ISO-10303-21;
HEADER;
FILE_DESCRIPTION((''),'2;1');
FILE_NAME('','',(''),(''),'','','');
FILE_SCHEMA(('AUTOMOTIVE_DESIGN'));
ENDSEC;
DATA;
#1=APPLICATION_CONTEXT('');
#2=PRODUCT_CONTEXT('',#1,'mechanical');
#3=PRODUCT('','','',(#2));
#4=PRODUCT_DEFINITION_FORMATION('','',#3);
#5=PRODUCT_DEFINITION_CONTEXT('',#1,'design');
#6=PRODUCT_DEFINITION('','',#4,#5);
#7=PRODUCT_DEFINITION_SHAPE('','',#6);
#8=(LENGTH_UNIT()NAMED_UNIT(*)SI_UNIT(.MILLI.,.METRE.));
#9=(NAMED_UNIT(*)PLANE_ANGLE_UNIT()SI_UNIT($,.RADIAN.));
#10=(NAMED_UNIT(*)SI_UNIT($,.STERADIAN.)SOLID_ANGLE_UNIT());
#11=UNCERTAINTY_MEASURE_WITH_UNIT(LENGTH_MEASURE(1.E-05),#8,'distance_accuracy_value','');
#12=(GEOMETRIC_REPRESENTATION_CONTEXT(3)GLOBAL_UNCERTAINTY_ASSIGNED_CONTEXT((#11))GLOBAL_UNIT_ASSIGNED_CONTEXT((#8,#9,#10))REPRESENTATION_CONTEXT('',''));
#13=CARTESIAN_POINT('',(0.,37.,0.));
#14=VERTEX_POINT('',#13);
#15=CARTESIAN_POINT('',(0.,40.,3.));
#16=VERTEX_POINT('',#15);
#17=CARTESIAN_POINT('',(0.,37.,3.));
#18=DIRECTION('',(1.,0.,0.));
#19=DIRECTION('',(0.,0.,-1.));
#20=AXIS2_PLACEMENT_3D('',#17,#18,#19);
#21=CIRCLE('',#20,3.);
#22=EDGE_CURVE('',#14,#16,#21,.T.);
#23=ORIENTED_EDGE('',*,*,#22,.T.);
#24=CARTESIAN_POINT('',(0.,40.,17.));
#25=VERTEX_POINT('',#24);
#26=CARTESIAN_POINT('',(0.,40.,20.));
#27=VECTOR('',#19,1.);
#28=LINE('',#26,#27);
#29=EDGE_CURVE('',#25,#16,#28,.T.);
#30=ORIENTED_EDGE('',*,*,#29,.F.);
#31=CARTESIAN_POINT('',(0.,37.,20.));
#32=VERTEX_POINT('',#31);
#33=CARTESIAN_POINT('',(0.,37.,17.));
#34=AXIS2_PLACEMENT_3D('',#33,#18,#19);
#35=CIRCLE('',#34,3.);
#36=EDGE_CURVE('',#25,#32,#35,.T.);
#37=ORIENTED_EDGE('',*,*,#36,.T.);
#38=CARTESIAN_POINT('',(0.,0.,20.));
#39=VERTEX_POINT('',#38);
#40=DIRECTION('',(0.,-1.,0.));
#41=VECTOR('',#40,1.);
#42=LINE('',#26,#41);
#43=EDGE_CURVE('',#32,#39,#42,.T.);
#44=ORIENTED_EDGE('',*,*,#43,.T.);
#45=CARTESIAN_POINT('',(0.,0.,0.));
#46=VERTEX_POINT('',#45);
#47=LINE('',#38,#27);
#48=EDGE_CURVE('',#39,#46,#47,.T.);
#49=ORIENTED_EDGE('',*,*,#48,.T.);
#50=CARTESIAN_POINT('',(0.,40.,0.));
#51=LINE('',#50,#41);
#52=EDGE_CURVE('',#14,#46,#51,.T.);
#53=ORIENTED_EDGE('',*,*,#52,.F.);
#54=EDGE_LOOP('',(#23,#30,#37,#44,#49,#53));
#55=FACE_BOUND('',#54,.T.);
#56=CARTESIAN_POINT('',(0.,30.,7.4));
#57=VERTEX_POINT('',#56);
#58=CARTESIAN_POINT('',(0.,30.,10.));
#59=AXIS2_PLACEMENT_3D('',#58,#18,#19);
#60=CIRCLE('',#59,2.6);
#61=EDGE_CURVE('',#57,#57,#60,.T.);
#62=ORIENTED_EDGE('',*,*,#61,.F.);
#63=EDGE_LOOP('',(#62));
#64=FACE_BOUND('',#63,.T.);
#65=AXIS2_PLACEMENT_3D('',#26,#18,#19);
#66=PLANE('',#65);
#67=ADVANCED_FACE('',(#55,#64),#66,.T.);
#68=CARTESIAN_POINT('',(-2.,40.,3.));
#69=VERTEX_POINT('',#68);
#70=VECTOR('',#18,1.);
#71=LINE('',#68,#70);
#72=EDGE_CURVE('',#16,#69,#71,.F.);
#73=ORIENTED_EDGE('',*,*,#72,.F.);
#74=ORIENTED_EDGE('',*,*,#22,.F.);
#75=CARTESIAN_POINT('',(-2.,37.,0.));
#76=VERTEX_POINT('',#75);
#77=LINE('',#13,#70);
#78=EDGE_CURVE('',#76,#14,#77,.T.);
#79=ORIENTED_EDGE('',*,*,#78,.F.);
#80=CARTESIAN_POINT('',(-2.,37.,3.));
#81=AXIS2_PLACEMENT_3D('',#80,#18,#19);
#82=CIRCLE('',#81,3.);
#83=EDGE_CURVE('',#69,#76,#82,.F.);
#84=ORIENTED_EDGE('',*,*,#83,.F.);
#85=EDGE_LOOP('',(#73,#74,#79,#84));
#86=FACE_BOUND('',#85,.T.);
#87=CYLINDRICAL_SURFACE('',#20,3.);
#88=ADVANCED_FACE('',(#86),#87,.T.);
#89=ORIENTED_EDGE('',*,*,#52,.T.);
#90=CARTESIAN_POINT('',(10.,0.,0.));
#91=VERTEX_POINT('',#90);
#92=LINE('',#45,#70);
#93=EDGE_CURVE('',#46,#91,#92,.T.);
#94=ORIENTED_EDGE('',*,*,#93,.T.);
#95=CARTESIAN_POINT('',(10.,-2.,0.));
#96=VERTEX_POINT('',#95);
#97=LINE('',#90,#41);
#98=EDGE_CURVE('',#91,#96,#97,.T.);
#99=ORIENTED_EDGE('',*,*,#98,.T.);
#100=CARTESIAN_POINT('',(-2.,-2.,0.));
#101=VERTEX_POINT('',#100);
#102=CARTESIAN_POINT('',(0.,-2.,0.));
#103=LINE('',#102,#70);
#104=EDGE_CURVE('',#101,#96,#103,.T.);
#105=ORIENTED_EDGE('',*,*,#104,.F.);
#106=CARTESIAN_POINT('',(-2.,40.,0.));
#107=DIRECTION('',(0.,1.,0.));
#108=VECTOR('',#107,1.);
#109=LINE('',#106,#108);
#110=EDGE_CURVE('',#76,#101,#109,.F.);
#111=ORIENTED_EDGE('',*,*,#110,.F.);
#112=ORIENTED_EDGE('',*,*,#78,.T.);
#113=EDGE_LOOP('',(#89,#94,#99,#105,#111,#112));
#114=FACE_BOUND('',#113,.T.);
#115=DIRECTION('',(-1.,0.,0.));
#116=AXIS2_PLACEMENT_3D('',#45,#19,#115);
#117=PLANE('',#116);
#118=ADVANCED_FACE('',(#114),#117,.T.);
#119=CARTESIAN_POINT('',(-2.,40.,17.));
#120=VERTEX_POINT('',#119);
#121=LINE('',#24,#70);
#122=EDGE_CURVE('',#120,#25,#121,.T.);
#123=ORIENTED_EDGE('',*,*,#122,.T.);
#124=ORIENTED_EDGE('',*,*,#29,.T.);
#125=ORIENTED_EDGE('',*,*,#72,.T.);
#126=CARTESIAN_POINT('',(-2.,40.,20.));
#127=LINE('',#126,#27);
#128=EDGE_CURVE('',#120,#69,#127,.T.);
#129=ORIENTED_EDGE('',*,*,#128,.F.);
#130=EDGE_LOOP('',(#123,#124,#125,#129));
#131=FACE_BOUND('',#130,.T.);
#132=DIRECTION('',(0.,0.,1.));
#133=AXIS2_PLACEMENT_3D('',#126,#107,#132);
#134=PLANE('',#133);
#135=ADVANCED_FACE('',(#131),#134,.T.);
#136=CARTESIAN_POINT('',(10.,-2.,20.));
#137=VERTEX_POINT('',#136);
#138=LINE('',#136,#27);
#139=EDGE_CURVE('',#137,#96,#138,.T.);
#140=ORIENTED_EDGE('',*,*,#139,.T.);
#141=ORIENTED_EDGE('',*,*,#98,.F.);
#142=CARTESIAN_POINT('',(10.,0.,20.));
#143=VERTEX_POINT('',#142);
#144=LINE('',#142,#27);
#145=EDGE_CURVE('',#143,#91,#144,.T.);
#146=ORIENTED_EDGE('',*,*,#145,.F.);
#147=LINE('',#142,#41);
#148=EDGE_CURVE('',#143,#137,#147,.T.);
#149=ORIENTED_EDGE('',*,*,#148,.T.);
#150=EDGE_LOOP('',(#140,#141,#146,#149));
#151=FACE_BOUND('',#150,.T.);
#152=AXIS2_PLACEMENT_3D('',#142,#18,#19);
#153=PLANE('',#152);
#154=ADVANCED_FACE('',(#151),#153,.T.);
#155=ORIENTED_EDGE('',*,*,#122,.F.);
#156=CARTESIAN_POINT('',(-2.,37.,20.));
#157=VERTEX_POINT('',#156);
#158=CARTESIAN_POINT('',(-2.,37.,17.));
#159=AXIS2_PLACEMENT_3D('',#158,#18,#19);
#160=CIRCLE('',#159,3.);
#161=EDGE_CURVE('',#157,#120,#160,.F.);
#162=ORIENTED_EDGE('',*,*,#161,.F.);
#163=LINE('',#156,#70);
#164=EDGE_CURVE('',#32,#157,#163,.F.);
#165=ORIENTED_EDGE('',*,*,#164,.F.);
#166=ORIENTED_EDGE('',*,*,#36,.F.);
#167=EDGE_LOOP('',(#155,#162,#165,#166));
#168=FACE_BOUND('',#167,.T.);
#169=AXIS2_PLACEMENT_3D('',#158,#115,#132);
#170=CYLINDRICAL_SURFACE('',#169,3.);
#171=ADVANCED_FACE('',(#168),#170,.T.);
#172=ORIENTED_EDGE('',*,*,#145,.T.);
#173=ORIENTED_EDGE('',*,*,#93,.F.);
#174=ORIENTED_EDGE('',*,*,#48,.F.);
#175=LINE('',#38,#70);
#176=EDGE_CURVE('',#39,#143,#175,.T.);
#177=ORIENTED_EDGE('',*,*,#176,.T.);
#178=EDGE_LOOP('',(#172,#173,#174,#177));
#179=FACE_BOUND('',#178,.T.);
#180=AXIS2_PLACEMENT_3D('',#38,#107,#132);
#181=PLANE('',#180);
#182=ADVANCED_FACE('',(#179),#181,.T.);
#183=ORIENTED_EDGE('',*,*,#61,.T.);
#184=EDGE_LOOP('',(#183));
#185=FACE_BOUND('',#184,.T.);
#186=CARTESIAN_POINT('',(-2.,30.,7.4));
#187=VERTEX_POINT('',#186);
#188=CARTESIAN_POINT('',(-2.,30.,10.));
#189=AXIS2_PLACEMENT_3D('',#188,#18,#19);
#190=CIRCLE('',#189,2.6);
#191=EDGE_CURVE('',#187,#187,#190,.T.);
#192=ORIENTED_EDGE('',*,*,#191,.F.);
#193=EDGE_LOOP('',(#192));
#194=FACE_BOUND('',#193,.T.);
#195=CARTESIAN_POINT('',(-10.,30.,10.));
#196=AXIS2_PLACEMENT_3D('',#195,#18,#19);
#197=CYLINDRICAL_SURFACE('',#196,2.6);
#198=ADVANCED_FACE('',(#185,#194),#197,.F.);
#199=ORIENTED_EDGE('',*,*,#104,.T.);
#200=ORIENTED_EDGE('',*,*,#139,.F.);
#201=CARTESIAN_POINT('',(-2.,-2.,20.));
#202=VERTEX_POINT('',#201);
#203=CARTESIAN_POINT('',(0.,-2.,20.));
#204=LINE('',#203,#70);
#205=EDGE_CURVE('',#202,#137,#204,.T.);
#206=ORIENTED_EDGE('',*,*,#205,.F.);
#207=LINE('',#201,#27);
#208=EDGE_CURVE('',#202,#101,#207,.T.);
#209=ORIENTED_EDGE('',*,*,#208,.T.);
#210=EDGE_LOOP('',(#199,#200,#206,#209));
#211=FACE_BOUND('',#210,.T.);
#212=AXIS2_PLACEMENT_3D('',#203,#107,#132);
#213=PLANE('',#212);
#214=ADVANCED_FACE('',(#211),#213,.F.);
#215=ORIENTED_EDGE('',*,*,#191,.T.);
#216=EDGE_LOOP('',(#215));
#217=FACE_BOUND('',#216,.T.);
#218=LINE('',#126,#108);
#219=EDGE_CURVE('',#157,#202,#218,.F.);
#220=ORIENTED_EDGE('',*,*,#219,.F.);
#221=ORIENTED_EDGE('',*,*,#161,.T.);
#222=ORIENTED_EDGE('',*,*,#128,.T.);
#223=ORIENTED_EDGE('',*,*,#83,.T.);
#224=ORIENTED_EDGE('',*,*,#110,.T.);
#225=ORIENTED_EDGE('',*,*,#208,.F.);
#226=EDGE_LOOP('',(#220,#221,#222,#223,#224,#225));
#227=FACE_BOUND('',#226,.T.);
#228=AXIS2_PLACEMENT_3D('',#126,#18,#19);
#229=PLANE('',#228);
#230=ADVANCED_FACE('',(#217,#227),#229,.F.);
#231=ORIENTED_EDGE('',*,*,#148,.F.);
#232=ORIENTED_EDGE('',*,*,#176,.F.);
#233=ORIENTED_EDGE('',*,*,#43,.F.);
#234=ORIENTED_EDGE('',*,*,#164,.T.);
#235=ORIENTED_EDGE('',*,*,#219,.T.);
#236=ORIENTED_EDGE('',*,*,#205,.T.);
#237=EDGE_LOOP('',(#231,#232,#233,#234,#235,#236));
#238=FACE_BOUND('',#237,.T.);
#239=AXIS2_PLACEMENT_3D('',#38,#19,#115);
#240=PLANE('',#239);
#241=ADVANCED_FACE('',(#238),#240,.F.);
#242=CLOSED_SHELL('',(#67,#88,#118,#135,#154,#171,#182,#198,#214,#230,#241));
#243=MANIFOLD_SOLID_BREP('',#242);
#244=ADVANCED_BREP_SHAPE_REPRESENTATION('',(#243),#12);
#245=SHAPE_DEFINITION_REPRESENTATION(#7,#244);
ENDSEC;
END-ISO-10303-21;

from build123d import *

# Parameters (mm, degrees)
EXTRUDE_1_DEPTH     = 20
SKETCH_2_R          = 2.6
CUT_EXTRUDE_1_DEPTH = 10
FILLET_1_R          = 3


with BuildPart() as part:
    # 草图1 → 拉伸-薄壁1 (new body)
    with BuildSketch(Plane.XY):
        Polygon((0, 40), (0, 0), (10, 0), (10, -2), (-2, -2), (-2, 40), align=None)
    extrude(amount=EXTRUDE_1_DEPTH)

    # 草图2 → 切除-拉伸1 (cut)
    with BuildSketch(Plane(origin=(0, 0, 0), x_dir=(0, 0, -1), z_dir=(1, 0, 0))):
        with Locations((-10, 30)):
            Circle(SKETCH_2_R)
    extrude(amount=-CUT_EXTRUDE_1_DEPTH, mode=Mode.SUBTRACT)

    # 圆角1
    fillet_1_edges = [part.edges().sort_by_distance(p)[0] for p in [
        (-1, 40, 20),
        (-1, 40, 0),
    ]]
    fillet(fillet_1_edges, radius=FILLET_1_R)


solid = part.part
